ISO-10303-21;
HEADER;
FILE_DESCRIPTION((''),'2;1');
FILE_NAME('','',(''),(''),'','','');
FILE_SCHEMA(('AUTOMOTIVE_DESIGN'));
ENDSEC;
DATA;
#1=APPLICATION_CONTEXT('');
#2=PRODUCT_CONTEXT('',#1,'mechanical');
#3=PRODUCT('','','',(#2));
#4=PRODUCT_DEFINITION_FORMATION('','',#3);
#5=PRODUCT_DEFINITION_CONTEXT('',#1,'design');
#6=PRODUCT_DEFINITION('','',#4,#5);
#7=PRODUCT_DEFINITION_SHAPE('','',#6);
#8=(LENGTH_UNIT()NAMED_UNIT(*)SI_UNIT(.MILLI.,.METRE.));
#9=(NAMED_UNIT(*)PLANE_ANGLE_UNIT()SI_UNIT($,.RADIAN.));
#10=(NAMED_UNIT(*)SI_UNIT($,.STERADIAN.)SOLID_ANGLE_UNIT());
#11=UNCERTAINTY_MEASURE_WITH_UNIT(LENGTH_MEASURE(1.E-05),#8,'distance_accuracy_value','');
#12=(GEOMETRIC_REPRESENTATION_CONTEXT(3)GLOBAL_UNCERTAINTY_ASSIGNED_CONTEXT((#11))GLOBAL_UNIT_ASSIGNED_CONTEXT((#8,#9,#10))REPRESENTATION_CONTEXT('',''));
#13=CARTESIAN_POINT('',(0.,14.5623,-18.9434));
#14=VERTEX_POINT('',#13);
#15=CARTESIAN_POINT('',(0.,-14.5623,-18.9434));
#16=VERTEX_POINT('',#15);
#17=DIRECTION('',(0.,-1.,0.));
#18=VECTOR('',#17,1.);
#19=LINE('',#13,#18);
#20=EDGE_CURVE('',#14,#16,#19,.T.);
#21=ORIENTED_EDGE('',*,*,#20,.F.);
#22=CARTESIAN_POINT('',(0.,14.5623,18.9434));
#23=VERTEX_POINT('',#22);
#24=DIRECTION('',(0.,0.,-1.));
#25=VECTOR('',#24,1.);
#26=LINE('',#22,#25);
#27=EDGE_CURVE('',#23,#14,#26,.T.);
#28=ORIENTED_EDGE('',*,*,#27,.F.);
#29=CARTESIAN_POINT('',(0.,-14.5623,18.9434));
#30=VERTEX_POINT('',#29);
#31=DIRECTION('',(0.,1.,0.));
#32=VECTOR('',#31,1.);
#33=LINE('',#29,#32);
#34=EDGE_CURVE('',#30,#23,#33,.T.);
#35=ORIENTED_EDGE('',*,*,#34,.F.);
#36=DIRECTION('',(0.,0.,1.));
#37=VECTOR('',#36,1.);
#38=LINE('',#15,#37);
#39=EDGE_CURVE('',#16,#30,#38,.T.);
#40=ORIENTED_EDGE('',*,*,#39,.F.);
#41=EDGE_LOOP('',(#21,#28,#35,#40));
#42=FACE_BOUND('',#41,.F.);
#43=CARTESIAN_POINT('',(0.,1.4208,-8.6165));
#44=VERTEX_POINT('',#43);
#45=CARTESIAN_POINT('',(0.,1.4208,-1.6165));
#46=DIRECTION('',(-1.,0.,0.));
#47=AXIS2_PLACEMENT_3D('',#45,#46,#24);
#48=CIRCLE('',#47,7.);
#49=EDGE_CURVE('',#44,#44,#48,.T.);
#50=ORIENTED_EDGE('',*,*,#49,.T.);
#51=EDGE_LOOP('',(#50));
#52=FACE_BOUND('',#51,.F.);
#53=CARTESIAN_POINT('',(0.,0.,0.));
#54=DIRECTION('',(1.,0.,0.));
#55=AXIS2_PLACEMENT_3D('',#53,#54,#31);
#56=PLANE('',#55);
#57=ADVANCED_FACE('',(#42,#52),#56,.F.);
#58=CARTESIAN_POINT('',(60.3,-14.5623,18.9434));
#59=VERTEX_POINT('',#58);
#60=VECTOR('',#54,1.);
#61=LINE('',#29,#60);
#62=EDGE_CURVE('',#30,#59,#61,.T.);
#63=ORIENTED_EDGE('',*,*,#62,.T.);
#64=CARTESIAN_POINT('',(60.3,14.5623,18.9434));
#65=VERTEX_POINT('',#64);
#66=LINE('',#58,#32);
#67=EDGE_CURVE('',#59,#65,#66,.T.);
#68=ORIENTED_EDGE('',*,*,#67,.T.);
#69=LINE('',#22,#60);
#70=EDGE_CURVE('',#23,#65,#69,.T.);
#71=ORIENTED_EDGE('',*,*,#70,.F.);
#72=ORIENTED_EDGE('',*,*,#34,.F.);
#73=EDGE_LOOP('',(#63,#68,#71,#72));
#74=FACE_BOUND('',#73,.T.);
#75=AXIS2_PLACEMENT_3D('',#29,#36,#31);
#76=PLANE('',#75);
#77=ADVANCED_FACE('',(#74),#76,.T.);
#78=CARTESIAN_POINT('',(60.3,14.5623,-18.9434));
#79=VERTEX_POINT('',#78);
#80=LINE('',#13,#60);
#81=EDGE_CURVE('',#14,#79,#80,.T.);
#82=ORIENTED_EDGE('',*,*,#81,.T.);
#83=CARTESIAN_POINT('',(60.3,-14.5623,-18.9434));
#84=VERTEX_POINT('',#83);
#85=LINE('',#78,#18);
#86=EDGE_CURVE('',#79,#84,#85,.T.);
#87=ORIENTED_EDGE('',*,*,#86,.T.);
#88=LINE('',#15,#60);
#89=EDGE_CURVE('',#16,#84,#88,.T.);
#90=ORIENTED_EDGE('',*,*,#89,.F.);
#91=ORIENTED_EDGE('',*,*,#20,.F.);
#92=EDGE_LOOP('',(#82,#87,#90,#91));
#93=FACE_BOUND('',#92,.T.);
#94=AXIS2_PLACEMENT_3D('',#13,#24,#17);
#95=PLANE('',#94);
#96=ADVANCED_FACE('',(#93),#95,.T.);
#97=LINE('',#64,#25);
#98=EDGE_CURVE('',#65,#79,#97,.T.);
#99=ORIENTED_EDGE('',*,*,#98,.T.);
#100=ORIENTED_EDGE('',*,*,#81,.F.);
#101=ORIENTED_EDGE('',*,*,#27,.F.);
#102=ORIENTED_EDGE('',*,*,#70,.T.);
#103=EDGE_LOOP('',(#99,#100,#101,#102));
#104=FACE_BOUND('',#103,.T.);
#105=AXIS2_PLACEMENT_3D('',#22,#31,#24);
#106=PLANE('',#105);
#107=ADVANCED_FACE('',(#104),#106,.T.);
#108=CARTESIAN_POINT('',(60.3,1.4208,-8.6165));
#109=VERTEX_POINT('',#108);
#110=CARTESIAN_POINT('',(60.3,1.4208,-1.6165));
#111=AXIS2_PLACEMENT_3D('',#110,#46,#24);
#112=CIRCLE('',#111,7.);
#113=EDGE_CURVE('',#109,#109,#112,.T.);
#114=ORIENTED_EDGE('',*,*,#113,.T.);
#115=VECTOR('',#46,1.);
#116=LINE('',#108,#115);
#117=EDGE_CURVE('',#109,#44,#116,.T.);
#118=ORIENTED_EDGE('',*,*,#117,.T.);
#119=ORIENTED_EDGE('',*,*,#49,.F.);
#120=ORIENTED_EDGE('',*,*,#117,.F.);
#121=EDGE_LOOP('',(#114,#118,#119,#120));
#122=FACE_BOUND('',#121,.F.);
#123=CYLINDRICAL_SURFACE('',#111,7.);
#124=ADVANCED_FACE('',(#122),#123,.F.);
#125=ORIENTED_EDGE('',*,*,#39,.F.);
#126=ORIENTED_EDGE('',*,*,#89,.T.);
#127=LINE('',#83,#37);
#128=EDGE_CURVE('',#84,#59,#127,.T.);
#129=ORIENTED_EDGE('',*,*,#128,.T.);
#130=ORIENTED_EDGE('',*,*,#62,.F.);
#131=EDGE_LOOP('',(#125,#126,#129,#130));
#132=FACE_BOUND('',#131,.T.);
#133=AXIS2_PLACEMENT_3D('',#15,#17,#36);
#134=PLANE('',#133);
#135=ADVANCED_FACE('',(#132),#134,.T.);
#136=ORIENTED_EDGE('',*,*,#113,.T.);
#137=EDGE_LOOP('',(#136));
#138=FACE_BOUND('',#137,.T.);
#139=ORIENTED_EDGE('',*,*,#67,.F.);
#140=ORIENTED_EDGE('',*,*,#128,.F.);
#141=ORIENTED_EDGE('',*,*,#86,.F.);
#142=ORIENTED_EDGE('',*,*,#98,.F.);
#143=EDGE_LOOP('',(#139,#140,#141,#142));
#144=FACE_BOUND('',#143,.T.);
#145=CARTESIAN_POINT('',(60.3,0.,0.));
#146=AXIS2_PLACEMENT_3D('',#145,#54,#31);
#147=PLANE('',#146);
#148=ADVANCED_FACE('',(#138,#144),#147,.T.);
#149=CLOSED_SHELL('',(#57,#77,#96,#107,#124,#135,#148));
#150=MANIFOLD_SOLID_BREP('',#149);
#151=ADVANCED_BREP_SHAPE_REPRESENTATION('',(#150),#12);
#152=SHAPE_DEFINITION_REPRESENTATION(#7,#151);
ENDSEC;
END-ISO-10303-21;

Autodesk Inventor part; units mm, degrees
ref_plane "YZ Plane" through (0, 0, 0) normal (1, 0, 0) x (0, 1, 0)
ref_plane "XZ Plane" through (0, 0, 0) normal (0, 1, 0) x (-1, 0, 0)
ref_plane "XY Plane" through (0, 0, 0) normal (0, 0, 1) x (1, 0, 0)
sketch "Sketch1" plane through (0, 0, 0) normal (1, 0, 0) x (0, 1, 0)
  line L0 (-14.5623, 18.9434) -> (14.5623, 18.9434)
  line L1 (14.5623, 18.9434) -> (14.5623, -18.9434)
  line L2 (14.5623, -18.9434) -> (-14.5623, -18.9434)
  line L3 (-14.5623, -18.9434) -> (-14.5623, 18.9434)
  line L4 (-14.5623, 18.9434) -> (14.5623, -18.9434) construction
  line L5 (14.5623, 18.9434) -> (-14.5623, -18.9434) construction
  point P0 (0, 0)
extrude "Extrusion1" add sketch "Sketch1" along normal blind 60.3
sketch "Sketch2" plane through (60.3, 0, 0) normal (1, 0, 0) x (0, 0, -1)
  point P0 (0, 0)
  point P1 (1.6165, 1.4208)
hole "Hole1" at (60.3, 1.4208, -1.6165) direction (-1, 0, 0) diameter 14 end through all
properties part number "Pieza para tornillos"
